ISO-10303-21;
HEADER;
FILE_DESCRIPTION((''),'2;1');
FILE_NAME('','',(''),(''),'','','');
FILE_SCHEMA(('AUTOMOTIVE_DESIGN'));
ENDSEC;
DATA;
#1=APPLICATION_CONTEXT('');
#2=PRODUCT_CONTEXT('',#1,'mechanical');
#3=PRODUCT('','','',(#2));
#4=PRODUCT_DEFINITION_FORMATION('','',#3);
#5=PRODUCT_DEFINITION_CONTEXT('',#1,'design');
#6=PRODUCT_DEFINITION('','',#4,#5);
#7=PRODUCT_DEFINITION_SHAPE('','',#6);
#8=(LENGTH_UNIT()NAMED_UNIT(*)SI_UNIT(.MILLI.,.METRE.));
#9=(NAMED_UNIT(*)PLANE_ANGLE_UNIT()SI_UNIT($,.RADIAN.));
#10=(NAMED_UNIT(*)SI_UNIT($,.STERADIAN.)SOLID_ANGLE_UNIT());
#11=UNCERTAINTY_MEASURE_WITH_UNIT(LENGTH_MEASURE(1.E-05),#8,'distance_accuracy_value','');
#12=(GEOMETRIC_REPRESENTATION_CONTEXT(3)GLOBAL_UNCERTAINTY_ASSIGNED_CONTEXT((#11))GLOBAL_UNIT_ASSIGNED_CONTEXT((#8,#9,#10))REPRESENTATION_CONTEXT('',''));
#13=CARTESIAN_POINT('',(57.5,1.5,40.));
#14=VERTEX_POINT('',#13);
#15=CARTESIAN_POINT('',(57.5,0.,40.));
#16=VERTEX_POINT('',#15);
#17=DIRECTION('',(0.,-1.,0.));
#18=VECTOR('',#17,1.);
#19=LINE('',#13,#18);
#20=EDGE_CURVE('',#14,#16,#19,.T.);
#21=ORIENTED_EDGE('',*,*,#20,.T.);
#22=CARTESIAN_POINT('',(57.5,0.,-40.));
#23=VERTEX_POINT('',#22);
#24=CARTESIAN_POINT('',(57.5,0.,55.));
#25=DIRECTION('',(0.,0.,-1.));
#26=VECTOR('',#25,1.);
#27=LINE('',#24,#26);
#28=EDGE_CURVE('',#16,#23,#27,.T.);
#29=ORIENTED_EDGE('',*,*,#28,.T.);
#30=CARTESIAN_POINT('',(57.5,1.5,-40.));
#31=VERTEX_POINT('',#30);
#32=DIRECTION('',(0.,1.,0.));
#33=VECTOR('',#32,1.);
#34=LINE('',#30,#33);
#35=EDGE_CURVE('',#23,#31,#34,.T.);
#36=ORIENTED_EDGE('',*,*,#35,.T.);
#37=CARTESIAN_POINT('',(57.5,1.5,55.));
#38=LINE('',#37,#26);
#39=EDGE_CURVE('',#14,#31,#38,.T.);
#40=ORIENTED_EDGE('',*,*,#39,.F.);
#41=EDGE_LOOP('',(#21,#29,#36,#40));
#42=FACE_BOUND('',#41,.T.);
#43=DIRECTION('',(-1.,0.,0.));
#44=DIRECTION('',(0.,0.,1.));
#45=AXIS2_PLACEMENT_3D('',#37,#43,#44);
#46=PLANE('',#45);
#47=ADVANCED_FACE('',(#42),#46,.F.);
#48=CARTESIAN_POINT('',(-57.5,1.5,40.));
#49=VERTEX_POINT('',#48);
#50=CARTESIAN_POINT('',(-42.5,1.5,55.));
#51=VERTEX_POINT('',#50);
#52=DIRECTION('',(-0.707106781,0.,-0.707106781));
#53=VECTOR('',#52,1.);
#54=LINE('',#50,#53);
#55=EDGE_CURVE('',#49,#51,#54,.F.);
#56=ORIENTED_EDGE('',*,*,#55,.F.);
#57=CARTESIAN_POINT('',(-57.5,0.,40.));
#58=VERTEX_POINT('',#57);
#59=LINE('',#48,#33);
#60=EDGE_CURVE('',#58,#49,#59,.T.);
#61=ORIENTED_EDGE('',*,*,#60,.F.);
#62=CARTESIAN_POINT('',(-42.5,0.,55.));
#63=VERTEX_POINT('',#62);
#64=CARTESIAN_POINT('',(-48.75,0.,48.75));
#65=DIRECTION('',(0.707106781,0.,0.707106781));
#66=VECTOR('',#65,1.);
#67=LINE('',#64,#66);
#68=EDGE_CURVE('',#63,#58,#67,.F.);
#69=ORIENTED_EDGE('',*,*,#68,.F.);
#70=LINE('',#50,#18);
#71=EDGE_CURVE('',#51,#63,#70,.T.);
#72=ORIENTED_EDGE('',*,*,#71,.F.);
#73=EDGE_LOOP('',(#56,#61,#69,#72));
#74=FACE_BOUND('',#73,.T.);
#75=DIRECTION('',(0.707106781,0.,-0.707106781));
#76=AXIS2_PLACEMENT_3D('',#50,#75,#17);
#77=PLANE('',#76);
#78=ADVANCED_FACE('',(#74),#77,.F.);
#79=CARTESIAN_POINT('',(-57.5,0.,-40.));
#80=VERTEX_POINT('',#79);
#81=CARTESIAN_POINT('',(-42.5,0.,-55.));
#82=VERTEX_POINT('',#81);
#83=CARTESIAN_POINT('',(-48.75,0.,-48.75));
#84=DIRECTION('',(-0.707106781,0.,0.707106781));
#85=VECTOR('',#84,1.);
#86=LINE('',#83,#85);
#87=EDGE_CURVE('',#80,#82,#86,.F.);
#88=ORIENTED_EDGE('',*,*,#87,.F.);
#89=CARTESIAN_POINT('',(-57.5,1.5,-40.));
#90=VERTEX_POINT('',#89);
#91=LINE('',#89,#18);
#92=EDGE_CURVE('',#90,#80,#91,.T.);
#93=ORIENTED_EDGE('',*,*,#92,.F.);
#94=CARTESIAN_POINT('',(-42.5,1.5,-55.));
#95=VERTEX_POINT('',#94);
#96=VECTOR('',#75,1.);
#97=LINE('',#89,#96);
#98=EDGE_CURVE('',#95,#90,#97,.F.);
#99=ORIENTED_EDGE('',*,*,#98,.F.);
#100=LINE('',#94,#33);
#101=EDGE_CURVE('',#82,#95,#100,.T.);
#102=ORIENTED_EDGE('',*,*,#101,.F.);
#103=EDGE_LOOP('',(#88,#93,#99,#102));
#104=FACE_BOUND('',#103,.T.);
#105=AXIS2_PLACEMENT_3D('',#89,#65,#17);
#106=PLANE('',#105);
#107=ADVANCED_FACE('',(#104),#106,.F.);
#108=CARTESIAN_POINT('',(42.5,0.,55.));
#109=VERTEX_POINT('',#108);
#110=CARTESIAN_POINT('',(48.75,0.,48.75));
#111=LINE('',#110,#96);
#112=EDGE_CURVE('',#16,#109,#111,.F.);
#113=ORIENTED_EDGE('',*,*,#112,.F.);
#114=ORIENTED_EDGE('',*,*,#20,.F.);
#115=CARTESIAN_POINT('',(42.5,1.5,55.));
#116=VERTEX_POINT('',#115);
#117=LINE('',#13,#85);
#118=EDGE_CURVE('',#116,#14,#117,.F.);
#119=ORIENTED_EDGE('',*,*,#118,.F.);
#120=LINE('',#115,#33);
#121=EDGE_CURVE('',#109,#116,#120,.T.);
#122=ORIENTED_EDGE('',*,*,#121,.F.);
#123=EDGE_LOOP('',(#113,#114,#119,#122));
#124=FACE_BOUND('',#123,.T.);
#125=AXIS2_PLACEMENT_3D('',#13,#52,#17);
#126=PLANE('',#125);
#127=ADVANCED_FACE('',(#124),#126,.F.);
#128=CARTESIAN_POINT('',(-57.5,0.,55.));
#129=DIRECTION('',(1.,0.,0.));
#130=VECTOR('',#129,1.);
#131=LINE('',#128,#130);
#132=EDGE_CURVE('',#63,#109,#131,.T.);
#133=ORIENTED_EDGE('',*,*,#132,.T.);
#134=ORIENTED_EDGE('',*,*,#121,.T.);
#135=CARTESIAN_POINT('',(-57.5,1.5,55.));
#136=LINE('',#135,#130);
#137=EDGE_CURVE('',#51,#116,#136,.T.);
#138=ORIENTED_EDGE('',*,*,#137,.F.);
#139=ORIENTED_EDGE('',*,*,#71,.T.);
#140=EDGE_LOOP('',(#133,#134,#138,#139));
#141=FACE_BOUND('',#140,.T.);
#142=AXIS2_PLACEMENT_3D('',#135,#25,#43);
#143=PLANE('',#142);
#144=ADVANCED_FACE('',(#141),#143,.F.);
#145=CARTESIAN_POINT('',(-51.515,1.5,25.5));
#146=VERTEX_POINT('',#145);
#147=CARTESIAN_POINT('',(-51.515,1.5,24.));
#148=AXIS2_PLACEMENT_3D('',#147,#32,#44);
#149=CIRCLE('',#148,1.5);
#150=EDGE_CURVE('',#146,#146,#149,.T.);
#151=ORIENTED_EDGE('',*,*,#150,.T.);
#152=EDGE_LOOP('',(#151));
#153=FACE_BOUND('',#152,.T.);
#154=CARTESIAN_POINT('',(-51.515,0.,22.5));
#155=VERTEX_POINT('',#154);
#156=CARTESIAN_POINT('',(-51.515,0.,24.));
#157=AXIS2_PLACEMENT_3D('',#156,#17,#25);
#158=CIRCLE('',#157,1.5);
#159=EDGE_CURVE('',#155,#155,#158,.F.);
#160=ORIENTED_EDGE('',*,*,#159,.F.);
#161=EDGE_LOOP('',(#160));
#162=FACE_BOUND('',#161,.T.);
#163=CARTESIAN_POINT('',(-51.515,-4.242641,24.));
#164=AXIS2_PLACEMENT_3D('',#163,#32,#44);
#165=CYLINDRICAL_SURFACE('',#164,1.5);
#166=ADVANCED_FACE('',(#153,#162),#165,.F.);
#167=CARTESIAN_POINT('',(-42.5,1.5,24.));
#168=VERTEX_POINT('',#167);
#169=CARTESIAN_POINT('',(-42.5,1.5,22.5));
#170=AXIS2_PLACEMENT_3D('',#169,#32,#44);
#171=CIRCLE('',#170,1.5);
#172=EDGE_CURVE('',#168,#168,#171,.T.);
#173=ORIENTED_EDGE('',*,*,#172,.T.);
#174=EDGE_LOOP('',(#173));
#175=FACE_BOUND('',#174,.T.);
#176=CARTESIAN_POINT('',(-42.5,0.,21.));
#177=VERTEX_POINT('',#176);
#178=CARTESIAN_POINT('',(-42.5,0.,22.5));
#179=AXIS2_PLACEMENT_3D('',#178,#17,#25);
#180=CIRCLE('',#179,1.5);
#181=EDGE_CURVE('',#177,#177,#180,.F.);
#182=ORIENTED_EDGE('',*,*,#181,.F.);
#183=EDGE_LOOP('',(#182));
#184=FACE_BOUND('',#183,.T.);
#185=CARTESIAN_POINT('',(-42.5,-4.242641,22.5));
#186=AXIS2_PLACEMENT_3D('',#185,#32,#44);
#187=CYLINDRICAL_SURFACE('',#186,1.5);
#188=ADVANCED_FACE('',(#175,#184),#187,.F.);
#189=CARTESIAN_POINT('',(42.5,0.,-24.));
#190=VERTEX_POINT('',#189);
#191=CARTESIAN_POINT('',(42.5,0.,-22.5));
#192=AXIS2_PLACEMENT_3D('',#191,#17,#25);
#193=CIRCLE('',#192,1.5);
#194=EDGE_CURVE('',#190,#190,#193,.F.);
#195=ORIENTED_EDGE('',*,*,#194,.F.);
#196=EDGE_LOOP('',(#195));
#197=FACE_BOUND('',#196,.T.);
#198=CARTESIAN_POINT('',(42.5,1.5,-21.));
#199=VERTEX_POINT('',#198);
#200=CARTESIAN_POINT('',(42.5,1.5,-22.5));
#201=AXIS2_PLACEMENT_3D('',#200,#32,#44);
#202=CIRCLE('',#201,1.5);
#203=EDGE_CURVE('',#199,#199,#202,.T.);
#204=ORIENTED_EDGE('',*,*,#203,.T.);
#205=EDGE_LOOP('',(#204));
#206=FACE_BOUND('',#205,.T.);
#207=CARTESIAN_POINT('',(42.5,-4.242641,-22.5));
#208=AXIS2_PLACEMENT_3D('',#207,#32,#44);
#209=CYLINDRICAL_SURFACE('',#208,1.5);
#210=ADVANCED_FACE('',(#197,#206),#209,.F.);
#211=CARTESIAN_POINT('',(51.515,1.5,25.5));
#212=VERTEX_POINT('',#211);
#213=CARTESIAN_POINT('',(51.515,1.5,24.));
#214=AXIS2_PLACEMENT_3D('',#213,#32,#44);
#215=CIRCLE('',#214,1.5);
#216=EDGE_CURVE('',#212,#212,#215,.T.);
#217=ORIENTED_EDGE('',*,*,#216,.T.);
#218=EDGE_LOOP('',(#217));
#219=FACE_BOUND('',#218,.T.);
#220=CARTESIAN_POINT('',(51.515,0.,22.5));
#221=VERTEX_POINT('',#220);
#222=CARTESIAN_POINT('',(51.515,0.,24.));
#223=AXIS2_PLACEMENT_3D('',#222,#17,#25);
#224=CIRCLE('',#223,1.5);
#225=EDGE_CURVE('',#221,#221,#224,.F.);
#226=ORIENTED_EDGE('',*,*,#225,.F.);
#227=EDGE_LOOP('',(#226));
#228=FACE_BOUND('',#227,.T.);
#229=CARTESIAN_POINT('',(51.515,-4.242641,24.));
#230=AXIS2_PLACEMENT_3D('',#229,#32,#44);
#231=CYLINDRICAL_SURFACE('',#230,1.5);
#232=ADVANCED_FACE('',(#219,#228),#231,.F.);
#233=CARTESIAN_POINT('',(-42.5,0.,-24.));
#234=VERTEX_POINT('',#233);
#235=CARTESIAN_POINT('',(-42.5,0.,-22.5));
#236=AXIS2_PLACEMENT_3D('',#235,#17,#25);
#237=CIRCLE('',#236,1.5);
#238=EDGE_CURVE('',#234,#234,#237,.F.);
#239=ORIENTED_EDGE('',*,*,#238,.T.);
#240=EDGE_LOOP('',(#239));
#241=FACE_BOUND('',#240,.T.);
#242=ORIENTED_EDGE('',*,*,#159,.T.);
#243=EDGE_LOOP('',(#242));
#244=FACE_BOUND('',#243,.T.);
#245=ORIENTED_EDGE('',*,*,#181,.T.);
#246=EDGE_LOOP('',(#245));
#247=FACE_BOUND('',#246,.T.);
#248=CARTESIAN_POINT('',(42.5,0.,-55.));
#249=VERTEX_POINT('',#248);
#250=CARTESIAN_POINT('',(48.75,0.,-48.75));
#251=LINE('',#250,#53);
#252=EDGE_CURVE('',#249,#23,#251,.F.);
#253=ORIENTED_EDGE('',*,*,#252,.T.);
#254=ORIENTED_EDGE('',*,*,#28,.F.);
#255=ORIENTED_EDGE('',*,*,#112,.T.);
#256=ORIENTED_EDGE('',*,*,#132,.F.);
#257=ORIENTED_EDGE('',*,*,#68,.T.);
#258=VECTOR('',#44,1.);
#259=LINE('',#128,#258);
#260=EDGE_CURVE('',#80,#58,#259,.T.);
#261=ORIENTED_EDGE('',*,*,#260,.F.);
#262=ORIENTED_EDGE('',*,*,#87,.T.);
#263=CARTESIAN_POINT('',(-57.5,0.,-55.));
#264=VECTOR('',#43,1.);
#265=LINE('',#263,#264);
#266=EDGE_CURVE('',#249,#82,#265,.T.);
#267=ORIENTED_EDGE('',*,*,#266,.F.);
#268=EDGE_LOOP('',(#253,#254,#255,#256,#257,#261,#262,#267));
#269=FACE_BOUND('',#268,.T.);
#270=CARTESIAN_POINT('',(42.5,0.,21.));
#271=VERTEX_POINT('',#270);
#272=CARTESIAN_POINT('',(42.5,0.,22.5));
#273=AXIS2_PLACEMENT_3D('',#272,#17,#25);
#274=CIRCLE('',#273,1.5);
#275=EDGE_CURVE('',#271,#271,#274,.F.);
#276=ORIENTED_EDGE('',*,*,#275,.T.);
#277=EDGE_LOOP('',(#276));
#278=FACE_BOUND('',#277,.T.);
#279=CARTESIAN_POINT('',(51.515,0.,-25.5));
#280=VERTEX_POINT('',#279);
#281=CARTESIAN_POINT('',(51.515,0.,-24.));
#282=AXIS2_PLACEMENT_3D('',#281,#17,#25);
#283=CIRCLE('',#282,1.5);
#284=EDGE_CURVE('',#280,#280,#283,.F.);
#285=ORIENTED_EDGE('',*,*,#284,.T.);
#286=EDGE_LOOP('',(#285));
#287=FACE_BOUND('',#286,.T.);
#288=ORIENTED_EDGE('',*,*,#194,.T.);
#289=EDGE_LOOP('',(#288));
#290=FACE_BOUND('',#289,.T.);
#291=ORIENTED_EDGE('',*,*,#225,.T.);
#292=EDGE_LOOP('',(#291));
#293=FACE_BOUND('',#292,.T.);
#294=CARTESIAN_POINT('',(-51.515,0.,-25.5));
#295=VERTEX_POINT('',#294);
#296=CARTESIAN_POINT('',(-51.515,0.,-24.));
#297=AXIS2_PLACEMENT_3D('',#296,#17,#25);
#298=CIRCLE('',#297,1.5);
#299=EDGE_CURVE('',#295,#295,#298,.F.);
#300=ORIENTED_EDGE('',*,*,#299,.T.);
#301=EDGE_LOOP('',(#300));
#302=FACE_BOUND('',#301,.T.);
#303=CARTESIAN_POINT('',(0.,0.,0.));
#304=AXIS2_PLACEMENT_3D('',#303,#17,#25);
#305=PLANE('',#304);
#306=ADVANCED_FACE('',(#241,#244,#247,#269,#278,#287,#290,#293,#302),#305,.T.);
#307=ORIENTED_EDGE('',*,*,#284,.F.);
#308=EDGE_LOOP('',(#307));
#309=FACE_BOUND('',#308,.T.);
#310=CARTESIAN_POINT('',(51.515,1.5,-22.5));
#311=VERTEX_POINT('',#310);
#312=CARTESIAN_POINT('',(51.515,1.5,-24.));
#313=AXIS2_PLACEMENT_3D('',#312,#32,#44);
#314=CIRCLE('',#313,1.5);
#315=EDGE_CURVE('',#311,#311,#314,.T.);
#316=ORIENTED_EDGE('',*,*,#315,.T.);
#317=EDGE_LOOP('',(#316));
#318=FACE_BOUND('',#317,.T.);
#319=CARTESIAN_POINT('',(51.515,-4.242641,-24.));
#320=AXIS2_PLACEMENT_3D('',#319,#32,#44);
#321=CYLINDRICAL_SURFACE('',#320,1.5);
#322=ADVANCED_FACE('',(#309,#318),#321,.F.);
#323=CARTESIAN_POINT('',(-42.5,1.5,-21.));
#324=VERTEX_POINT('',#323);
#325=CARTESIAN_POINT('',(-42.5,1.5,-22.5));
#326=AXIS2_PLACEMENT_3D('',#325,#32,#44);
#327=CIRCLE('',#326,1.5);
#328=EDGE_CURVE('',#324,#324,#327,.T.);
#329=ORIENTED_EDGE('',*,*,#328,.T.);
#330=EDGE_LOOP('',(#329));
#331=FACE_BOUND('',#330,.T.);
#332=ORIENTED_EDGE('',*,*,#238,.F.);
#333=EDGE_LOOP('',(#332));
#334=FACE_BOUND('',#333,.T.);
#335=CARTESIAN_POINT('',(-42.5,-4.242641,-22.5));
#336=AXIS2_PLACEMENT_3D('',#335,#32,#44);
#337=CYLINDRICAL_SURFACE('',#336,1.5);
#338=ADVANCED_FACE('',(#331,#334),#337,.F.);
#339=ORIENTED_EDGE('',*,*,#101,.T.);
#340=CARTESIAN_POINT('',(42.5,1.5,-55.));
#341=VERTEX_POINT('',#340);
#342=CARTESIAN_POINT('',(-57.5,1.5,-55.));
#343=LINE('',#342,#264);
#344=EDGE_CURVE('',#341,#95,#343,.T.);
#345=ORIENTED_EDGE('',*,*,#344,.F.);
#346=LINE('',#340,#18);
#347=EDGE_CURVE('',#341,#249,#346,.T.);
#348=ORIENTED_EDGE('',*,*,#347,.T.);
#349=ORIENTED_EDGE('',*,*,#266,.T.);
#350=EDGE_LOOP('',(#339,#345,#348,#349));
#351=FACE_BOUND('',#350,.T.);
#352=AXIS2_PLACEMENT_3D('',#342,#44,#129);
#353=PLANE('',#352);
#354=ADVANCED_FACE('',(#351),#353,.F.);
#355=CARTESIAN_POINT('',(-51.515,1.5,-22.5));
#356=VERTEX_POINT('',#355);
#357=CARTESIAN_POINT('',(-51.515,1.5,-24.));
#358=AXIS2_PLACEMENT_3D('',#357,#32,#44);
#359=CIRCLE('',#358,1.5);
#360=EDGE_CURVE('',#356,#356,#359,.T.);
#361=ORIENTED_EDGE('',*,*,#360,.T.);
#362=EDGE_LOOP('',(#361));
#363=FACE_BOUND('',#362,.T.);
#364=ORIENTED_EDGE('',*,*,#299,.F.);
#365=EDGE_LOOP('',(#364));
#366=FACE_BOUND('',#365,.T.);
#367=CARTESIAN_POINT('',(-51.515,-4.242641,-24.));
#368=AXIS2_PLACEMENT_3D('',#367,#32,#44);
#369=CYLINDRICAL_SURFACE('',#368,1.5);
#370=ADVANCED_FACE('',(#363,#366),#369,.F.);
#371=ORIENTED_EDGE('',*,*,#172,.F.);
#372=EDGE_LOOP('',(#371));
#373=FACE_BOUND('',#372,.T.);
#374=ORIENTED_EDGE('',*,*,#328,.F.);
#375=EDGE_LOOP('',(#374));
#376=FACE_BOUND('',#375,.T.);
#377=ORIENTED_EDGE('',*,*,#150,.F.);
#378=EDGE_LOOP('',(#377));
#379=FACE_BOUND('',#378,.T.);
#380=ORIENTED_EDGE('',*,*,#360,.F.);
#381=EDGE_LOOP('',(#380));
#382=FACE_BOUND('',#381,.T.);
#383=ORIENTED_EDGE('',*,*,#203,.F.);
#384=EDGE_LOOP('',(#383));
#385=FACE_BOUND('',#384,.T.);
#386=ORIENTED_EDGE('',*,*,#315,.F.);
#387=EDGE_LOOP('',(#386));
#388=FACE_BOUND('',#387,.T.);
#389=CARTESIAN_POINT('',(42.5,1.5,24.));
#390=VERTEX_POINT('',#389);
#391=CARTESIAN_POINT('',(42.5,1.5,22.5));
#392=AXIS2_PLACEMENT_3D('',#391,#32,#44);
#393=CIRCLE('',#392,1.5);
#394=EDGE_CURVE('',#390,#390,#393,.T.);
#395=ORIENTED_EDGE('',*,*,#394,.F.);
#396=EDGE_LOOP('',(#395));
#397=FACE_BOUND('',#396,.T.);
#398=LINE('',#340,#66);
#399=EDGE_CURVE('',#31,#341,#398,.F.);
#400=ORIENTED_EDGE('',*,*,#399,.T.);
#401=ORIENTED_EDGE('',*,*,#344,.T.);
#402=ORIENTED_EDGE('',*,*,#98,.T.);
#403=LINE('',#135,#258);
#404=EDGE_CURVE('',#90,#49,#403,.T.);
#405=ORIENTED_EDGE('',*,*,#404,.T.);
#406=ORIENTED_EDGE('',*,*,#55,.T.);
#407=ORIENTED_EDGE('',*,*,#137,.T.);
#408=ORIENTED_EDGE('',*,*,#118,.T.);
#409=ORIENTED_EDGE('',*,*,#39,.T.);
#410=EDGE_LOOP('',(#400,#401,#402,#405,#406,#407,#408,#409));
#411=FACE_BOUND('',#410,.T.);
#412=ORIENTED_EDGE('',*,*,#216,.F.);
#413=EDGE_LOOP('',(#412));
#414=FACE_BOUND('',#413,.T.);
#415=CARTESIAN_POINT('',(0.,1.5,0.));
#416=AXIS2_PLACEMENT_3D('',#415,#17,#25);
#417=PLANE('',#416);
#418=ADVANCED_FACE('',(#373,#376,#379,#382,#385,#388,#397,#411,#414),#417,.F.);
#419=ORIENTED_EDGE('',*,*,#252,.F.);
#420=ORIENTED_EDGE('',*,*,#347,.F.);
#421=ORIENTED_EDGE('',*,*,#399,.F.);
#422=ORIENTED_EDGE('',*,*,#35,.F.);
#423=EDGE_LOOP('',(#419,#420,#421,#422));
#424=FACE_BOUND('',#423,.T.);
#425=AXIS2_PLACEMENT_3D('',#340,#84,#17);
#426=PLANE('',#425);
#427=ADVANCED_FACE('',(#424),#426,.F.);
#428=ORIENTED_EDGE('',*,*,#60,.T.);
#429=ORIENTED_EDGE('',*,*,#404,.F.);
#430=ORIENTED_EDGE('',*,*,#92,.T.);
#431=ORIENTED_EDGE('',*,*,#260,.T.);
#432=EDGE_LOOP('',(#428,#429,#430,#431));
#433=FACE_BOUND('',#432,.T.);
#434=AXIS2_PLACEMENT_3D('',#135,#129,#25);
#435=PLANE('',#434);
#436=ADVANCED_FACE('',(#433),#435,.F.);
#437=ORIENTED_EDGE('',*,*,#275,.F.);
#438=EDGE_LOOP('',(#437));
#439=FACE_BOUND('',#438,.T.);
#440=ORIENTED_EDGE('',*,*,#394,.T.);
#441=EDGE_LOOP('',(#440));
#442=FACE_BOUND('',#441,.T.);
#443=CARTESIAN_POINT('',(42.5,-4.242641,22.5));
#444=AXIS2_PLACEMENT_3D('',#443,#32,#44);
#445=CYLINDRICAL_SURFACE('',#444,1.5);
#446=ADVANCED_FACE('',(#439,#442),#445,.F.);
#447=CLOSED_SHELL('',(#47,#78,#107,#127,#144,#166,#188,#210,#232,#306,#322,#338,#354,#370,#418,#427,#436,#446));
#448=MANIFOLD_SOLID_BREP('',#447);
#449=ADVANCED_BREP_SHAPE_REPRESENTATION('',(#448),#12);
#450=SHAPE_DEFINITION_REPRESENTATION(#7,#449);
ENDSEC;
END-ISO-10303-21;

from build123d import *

# Parameters (mm, degrees)
SKETCH1_W           = 115
SKETCH1_H           = 110
BOSS_EXTRUDE1_DEPTH = 1.5
CHAMFER1_SIZE       = 15
SKETCH3_R           = 1.5
CUT_EXTRUDE1_DEPTH  = 1.5
SKETCH4_R           = 1.5
CUT_EXTRUDE2_DEPTH  = 1.5


with BuildPart() as part:
    # Sketch1 → Boss-Extrude1 (new body)
    with BuildSketch(Plane(origin=(0, 0, 0), x_dir=(1, 0, 0), z_dir=(0, 1, 0))):
        Rectangle(SKETCH1_W, SKETCH1_H)
    extrude(amount=BOSS_EXTRUDE1_DEPTH)

    # Chamfer1
    chamfer1_edges = [part.edges().sort_by_distance(p)[0] for p in [
        (57.5, 0.75, 55),
        (-57.5, 0.75, 55),
        (-57.5, 0.75, -55),
        (57.5, 0.75, -55),
    ]]
    chamfer(chamfer1_edges, length=CHAMFER1_SIZE)

    # Sketch3 → Cut-Extrude1 (cut)
    with BuildSketch(Plane(origin=(0, 1.5, 0), x_dir=(1, 0, 0), z_dir=(0, 1, 0))):
        with Locations(Location((-51.515, 24, 0), (0, 0, 270))):
            Circle(SKETCH3_R)
        with Locations(Location((51.515, 24, 0), (0, 0, 270))):
            Circle(SKETCH3_R)
        with Locations(Location((51.515, -24, 0), (0, 0, 270))):
            Circle(SKETCH3_R)
        with Locations(Location((-51.515, -24, 0), (0, 0, 270))):
            Circle(SKETCH3_R)
    extrude(amount=-CUT_EXTRUDE1_DEPTH, mode=Mode.SUBTRACT)

    # Sketch4 → Cut-Extrude2 (cut)
    with BuildSketch(Plane(origin=(0, 1.5, 0), x_dir=(1, 0, 0), z_dir=(0, 1, 0))):
        with Locations(Location((-42.5, 22.5, 0), (0, 0, 270))):
            Circle(SKETCH4_R)
        with Locations(Location((-42.5, -22.5, 0), (0, 0, 270))):
            Circle(SKETCH4_R)
        with Locations(Location((42.5, -22.5, 0), (0, 0, 270))):
            Circle(SKETCH4_R)
        with Locations(Location((42.5, 22.5, 0), (0, 0, 270))):
            Circle(SKETCH4_R)
    extrude(amount=-CUT_EXTRUDE2_DEPTH, mode=Mode.SUBTRACT)


solid = part.part
